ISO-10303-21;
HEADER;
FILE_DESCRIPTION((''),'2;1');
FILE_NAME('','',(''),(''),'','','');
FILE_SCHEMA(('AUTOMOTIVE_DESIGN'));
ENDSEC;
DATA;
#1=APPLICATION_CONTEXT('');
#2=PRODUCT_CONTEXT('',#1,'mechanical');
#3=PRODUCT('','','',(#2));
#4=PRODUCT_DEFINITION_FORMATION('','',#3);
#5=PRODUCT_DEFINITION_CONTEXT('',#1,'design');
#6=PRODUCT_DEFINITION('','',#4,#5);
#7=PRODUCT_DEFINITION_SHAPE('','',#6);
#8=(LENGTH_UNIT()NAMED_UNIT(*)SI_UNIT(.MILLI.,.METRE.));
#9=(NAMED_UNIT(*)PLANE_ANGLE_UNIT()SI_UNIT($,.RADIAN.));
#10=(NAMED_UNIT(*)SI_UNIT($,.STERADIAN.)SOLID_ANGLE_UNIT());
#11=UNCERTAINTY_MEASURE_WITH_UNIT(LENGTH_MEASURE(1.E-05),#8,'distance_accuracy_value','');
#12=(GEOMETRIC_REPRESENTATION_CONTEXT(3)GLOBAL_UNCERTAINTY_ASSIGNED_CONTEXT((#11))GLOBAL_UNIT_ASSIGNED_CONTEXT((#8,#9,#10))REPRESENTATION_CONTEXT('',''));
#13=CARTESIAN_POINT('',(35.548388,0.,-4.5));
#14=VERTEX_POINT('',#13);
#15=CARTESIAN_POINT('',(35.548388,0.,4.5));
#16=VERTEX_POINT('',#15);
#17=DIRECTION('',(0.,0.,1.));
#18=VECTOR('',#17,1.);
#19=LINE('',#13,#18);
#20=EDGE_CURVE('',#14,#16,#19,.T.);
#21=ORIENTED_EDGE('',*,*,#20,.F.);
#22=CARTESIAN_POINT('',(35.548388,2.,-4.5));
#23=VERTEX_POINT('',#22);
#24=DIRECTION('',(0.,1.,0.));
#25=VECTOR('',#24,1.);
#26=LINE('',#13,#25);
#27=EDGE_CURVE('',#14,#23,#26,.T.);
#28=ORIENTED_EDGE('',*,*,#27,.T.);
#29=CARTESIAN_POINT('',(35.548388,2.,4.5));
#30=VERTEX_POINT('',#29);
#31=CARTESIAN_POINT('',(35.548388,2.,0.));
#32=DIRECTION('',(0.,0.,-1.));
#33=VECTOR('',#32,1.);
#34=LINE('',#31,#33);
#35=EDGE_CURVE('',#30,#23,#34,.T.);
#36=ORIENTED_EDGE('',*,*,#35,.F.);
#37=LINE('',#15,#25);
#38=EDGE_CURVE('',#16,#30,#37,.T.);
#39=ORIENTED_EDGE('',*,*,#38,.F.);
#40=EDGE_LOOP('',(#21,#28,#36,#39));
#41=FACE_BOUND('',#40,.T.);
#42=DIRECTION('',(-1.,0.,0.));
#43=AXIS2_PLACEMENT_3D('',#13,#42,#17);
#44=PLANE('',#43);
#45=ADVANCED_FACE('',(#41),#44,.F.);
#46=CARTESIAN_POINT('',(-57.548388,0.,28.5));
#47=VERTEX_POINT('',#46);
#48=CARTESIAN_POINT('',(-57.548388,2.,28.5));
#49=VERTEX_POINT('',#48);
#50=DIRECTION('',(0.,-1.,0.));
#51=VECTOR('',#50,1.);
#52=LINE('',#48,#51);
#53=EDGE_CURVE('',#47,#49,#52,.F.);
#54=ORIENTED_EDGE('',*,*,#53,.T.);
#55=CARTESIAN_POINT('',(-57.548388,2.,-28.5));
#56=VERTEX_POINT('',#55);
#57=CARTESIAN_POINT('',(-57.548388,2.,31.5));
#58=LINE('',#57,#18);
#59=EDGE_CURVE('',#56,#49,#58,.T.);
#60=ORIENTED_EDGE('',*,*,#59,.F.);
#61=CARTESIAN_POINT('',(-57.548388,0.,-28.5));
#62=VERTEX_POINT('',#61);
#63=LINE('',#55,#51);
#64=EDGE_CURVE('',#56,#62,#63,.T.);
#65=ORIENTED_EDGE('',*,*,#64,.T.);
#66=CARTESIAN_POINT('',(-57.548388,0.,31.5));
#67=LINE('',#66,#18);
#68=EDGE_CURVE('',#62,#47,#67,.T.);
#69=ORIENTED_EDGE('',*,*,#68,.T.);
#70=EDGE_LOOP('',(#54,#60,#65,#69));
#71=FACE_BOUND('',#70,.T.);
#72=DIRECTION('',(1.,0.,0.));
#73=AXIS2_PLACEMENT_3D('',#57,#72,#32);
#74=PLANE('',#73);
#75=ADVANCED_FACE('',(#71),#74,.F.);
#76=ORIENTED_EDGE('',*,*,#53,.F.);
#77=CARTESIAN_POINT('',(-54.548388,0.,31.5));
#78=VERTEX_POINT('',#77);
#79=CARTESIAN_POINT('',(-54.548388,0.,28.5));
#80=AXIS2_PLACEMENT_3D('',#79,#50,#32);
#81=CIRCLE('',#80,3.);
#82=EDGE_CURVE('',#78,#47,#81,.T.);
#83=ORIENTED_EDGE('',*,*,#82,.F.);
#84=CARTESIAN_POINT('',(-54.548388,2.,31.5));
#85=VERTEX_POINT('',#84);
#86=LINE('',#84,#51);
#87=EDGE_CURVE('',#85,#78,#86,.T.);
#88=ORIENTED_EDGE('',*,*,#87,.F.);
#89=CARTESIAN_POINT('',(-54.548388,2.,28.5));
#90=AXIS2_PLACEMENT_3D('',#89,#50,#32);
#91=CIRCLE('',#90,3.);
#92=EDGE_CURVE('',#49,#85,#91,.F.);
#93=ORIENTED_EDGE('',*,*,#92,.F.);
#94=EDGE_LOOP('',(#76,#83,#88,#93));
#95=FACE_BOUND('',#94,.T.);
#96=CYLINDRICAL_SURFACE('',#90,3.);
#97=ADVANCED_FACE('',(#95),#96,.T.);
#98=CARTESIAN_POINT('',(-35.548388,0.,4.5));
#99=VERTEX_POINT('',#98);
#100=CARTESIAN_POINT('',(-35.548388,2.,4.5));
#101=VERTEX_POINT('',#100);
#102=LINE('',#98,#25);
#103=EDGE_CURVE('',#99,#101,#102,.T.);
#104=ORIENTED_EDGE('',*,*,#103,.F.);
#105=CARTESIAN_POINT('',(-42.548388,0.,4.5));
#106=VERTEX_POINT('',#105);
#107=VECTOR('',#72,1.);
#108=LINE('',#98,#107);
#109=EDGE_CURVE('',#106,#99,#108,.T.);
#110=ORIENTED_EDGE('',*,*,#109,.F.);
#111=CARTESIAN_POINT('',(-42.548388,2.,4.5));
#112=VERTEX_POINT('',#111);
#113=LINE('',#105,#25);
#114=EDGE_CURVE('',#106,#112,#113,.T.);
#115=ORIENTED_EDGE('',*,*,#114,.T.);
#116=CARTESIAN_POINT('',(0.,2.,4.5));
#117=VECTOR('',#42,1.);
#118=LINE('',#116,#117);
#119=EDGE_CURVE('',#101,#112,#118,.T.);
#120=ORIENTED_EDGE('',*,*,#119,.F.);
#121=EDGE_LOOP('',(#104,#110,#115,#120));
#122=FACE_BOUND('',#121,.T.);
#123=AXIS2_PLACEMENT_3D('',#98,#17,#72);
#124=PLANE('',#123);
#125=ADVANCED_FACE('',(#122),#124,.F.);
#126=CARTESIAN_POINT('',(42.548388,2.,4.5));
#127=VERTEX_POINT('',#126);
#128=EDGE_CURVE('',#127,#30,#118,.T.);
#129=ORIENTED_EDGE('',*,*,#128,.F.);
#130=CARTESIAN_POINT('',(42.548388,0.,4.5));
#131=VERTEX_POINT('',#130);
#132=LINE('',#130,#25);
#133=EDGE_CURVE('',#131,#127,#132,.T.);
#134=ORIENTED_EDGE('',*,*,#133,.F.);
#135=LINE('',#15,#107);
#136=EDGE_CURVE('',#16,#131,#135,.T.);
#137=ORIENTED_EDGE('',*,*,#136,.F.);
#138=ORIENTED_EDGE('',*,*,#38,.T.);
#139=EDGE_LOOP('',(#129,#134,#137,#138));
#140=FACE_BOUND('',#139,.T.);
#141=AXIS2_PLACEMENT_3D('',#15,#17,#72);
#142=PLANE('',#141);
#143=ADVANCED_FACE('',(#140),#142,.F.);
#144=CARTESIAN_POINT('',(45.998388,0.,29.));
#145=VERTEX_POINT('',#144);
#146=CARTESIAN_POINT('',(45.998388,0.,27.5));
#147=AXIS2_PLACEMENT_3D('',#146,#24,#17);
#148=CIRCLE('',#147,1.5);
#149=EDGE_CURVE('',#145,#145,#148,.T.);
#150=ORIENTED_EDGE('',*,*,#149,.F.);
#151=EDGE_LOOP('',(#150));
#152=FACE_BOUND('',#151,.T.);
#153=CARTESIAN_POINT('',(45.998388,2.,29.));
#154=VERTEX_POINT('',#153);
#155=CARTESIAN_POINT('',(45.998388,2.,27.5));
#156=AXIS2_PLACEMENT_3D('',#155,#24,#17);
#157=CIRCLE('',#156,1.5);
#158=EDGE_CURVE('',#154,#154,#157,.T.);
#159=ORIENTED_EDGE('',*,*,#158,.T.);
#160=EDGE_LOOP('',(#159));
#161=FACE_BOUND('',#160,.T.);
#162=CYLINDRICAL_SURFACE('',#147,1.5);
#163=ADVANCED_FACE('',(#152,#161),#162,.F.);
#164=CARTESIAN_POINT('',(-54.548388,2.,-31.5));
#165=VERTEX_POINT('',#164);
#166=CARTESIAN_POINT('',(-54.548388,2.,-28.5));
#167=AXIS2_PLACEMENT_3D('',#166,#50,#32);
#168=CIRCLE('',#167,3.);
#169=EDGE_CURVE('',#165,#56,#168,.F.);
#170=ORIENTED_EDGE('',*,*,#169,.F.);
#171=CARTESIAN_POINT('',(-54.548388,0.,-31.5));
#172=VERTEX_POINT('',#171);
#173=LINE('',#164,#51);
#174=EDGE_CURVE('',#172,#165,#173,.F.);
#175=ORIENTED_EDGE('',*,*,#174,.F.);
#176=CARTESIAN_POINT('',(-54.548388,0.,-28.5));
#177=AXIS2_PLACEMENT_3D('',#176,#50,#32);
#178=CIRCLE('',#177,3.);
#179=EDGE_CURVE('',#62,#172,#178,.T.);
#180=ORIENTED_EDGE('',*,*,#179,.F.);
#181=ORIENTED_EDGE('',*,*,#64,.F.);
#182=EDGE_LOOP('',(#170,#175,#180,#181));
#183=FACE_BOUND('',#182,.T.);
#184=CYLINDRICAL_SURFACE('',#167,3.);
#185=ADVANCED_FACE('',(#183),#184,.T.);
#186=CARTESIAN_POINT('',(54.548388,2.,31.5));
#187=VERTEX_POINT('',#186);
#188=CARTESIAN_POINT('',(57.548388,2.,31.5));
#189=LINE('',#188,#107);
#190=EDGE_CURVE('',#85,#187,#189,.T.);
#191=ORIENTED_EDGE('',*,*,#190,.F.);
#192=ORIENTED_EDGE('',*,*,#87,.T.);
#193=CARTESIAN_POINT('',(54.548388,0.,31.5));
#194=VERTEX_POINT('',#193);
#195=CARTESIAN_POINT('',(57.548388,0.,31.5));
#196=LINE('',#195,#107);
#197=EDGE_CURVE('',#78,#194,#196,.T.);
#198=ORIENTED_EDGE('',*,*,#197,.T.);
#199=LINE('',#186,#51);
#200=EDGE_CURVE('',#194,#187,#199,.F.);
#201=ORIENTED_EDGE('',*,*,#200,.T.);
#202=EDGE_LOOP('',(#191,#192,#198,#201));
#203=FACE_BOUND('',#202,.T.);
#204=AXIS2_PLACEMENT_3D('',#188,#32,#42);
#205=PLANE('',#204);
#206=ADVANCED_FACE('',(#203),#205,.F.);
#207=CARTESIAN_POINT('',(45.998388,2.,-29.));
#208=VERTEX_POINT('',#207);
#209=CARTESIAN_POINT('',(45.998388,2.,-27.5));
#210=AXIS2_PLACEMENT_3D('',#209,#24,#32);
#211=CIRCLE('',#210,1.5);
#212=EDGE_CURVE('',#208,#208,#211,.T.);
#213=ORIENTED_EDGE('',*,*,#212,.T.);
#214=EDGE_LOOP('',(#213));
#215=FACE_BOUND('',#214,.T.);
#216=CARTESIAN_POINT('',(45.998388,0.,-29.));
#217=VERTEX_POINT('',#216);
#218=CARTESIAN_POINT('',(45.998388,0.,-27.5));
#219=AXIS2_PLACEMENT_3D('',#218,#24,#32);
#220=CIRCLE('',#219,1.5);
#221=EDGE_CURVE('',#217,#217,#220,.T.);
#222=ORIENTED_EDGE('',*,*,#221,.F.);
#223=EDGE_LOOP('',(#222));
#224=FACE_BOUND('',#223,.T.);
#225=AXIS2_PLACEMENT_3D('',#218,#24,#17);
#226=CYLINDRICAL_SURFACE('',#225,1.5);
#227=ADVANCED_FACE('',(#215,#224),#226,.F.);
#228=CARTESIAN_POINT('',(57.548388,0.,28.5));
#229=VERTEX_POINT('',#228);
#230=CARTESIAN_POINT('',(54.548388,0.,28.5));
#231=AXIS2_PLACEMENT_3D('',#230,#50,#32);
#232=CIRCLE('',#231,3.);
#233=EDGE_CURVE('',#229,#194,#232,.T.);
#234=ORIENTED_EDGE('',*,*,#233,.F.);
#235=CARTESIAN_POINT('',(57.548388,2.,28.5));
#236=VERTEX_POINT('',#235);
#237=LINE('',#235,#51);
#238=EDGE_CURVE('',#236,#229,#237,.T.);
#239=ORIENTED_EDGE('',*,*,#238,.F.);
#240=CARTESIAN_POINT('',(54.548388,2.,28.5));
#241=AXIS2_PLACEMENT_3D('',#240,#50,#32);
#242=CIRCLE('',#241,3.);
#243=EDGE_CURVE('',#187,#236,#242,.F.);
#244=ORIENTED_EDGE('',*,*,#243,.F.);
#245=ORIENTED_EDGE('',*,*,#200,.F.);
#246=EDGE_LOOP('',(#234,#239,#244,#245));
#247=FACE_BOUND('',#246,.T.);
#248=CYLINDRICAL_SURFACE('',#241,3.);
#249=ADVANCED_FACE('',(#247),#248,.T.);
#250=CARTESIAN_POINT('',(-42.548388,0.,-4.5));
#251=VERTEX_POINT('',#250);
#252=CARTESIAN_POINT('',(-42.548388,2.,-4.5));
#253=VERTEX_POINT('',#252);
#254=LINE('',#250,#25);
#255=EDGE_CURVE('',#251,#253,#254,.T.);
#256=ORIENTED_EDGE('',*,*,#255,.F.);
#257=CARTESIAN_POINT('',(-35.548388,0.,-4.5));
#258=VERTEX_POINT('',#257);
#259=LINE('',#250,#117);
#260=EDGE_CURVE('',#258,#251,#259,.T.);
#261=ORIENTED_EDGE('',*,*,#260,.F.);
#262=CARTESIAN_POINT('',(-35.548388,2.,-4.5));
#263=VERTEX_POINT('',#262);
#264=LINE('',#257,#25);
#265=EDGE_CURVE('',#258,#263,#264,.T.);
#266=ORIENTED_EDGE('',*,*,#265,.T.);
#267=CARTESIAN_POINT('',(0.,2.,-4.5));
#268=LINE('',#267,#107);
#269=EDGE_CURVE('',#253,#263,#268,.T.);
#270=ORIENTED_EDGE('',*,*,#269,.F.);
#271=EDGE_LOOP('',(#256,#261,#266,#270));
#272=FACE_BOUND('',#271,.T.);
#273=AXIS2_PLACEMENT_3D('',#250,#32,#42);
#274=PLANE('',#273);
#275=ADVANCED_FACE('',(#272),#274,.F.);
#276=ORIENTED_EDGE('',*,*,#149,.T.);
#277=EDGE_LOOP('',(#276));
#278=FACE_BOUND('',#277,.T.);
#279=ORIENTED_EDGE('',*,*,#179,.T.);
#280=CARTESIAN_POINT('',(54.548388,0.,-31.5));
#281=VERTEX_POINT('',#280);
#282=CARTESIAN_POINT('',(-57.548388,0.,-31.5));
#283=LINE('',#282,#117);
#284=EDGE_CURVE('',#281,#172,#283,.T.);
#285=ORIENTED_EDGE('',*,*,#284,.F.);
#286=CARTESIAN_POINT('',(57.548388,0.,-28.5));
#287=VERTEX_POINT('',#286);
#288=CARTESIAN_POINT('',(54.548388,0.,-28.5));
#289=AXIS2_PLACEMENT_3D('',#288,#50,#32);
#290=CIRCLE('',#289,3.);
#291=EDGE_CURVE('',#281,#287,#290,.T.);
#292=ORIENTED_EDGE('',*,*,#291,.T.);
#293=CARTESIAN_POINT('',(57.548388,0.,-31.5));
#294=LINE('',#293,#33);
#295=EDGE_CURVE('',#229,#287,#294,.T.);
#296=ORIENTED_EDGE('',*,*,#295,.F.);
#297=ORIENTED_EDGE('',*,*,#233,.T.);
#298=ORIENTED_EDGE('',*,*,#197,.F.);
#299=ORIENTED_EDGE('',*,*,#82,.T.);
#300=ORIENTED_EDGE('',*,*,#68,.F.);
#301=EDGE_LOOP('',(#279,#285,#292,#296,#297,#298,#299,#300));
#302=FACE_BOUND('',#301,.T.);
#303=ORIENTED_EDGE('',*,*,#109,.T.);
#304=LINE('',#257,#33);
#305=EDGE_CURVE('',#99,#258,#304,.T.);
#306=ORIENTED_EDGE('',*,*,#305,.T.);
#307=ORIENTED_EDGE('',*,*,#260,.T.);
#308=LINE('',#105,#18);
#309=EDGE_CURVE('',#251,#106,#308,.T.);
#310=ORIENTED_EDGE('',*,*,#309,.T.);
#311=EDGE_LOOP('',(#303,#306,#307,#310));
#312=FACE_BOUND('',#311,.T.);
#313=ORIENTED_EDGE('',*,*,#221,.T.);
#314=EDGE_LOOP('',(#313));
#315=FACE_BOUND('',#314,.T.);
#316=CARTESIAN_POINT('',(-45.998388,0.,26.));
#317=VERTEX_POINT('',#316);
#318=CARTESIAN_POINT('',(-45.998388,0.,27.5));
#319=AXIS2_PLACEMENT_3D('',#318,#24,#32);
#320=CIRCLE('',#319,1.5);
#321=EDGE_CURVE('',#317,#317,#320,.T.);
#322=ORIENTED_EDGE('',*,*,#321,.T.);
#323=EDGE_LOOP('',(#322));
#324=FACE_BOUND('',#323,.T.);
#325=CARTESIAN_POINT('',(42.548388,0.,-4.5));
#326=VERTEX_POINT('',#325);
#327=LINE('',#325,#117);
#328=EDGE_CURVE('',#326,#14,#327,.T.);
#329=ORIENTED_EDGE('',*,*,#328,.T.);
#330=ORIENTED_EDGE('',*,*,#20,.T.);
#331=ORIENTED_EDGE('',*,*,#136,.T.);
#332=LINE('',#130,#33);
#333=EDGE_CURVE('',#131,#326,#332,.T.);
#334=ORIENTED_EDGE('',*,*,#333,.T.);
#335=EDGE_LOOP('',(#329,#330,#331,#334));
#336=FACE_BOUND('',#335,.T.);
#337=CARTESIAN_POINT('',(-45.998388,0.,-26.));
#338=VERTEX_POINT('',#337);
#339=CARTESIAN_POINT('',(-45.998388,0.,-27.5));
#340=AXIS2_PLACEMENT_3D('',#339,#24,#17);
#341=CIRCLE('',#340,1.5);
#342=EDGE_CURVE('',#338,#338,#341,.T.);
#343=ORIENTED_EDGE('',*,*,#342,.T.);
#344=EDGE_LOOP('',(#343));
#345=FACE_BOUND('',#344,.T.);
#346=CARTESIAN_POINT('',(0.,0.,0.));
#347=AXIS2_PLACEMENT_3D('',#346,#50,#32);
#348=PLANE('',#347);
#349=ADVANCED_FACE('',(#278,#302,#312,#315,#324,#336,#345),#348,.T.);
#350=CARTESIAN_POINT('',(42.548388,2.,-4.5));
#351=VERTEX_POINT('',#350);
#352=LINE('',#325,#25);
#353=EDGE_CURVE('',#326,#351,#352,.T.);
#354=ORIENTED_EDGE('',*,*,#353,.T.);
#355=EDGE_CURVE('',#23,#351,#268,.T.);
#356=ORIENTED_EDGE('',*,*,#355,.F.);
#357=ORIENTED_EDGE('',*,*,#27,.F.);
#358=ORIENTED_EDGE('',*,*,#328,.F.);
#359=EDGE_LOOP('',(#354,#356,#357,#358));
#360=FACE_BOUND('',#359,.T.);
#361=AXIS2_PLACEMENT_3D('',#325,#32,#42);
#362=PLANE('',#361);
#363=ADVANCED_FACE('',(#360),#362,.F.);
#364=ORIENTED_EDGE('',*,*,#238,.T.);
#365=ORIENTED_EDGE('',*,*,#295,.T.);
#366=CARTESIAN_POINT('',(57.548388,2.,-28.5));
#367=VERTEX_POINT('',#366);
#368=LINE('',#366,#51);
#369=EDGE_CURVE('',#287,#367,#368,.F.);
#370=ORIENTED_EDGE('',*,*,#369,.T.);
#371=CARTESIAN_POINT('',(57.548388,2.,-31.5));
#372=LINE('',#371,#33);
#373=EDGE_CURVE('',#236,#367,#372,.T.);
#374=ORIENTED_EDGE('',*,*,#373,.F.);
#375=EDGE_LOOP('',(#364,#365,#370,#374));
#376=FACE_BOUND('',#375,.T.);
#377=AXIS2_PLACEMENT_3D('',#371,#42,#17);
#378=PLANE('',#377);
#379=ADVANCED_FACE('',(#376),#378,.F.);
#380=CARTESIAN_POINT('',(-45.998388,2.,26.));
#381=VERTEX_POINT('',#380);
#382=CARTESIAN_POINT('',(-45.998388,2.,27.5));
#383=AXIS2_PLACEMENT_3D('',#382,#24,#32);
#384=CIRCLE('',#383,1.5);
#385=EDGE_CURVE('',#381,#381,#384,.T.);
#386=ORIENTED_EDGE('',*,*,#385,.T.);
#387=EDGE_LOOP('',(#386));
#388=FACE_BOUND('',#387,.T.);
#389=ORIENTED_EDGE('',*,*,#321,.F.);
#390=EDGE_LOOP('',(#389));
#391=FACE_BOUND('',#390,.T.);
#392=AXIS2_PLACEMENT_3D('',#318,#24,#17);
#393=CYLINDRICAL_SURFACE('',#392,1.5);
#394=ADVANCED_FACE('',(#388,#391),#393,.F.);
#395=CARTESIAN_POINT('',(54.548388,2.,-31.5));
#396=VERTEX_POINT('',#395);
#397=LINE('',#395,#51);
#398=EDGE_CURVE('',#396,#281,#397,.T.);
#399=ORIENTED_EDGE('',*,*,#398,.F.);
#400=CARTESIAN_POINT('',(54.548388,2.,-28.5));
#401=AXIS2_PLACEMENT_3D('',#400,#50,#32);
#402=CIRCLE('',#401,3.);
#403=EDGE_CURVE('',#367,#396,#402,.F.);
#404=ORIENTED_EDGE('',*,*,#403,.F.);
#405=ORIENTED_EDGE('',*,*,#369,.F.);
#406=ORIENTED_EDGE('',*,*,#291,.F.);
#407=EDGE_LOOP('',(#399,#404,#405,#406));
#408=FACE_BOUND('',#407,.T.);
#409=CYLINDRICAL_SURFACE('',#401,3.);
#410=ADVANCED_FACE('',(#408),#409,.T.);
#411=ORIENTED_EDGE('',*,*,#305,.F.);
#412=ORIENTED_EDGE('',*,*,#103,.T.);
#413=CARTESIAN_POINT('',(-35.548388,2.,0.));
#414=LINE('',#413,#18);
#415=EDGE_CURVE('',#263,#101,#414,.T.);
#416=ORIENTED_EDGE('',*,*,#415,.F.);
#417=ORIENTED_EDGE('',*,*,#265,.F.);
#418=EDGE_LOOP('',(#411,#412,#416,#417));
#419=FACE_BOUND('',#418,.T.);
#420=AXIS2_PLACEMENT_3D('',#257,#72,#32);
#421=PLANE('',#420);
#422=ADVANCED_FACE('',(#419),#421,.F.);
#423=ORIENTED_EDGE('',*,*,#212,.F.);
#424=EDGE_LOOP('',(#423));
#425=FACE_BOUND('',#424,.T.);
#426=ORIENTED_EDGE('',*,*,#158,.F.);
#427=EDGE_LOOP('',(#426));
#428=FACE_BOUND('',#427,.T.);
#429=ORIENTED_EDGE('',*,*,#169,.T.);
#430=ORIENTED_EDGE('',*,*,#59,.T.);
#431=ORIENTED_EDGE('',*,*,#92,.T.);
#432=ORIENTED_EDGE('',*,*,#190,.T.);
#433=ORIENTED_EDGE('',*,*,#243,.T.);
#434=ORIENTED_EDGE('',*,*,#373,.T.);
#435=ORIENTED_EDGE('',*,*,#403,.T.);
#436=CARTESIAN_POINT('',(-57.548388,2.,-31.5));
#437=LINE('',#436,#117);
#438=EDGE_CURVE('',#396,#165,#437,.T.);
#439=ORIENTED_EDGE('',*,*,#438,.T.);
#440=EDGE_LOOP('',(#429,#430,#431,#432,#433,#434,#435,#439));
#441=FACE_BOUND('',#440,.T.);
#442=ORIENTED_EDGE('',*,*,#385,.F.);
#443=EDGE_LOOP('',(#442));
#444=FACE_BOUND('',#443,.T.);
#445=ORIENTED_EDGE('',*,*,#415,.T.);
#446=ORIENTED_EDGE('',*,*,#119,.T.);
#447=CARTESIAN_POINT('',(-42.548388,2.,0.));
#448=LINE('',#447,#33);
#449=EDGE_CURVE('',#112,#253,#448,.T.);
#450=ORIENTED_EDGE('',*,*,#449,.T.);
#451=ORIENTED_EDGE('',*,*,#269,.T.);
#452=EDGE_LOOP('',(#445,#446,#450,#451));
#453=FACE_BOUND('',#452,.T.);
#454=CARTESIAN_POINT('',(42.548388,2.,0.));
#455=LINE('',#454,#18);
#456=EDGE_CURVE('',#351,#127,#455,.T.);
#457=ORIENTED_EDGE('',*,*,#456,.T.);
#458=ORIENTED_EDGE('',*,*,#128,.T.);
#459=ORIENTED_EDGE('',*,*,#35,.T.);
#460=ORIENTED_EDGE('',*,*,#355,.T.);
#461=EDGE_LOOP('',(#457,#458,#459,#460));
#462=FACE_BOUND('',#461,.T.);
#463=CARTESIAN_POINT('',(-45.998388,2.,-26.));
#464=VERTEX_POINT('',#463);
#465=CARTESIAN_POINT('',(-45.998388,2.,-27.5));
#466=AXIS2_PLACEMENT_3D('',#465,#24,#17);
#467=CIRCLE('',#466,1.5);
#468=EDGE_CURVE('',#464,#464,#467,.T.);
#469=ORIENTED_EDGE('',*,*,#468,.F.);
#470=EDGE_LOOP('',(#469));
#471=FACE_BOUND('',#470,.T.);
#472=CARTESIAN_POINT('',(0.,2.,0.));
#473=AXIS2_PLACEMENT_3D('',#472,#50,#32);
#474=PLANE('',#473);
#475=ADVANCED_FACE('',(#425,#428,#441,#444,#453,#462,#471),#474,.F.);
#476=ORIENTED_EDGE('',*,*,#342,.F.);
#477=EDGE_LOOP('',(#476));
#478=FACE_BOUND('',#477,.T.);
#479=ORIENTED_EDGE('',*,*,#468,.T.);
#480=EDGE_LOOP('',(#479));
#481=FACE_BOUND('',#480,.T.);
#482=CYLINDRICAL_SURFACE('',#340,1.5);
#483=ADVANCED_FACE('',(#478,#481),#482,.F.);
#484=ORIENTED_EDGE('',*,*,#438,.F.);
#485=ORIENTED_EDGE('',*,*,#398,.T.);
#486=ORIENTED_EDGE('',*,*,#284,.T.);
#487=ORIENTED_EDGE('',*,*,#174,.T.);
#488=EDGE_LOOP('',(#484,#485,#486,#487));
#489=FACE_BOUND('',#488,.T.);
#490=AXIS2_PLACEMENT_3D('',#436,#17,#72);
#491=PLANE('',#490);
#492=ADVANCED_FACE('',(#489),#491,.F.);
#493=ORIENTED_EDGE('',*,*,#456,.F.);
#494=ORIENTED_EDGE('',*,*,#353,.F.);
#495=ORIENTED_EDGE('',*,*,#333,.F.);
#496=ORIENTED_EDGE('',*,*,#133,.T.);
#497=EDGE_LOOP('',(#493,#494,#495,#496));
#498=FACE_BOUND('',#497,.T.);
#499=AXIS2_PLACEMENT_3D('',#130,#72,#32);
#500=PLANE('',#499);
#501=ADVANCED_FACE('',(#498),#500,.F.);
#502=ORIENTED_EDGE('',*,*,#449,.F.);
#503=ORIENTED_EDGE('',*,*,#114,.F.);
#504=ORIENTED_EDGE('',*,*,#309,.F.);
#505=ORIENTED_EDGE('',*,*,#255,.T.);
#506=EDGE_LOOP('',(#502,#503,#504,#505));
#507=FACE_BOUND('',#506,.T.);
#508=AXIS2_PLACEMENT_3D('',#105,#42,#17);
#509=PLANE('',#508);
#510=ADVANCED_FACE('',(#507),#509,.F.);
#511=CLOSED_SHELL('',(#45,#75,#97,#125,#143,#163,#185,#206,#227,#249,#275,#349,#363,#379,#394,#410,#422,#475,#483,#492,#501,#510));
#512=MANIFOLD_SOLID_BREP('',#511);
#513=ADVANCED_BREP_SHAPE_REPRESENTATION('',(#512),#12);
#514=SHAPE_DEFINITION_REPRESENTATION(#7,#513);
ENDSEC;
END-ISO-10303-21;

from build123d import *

# Parameters (mm, degrees)
ESBO_O1_W                  = 115.09677689
ESBO_O1_H                  = 63
RESSALTO_EXTRUS_O1_DEPTH   = 2
FILETE1_R                  = 3
CORTE_EXTRUS_O4_DEPTH      = 66.635866816
CORTE_EXTRUS_O4_DEPTH_BACK = 66.635866816
ESBO_O6_W                  = 7
ESBO_O6_H                  = 9
ESBO_O7_R                  = 1.5
CORTE_EXTRUS_O5_DEPTH      = 66.635866816


with BuildPart() as part:
    # Esboço1 → Ressalto-extrusão1 (new body)
    with BuildSketch(Plane(origin=(0, 0, 0), x_dir=(1, 0, 0), z_dir=(0, 1, 0))):
        Rectangle(ESBO_O1_W, ESBO_O1_H)
    extrude(amount=RESSALTO_EXTRUS_O1_DEPTH)

    # Filete1
    filete1_edges = [part.edges().sort_by_distance(p)[0] for p in [
        (-57.548388445, 1, -31.5),
        (57.548388445, 1, -31.5),
        (57.548388445, 1, 31.5),
        (-57.548388445, 1, 31.5),
    ]]
    fillet(filete1_edges, radius=FILETE1_R)

    # Esboço6 → Corte-extrusão4 (cut, two sides: drawn at the far end of the back side and taken through both)
    with BuildSketch(Plane(origin=(0, 2, 0), x_dir=(1, 0, 0), z_dir=(0, 1, 0)).offset(-CORTE_EXTRUS_O4_DEPTH_BACK)):
        with Locations((-39.048388445, 0)):
            Rectangle(ESBO_O6_W, ESBO_O6_H)
        with Locations((39.048388445, 0)):
            Rectangle(ESBO_O6_W, ESBO_O6_H)
    extrude(amount=CORTE_EXTRUS_O4_DEPTH + CORTE_EXTRUS_O4_DEPTH_BACK, mode=Mode.SUBTRACT)

    # Esboço7 → Corte-extrusão5 (cut, through all)
    with BuildSketch(Plane(origin=(0, 2, 0), x_dir=(1, 0, 0), z_dir=(0, 1, 0))):
        with Locations(Location((-45.998388445, 27.5, 0), (0, 0, 270))):
            Circle(ESBO_O7_R)
        with Locations(Location((45.998388445, 27.5, 0), (0, 0, 90))):
            Circle(ESBO_O7_R)
        with Locations(Location((45.998388445, -27.5, 0), (0, 0, 270))):
            Circle(ESBO_O7_R)
        with Locations(Location((-45.998388445, -27.5, 0), (0, 0, 90))):
            Circle(ESBO_O7_R)
    extrude(amount=-CORTE_EXTRUS_O5_DEPTH, mode=Mode.SUBTRACT)


solid = part.part
